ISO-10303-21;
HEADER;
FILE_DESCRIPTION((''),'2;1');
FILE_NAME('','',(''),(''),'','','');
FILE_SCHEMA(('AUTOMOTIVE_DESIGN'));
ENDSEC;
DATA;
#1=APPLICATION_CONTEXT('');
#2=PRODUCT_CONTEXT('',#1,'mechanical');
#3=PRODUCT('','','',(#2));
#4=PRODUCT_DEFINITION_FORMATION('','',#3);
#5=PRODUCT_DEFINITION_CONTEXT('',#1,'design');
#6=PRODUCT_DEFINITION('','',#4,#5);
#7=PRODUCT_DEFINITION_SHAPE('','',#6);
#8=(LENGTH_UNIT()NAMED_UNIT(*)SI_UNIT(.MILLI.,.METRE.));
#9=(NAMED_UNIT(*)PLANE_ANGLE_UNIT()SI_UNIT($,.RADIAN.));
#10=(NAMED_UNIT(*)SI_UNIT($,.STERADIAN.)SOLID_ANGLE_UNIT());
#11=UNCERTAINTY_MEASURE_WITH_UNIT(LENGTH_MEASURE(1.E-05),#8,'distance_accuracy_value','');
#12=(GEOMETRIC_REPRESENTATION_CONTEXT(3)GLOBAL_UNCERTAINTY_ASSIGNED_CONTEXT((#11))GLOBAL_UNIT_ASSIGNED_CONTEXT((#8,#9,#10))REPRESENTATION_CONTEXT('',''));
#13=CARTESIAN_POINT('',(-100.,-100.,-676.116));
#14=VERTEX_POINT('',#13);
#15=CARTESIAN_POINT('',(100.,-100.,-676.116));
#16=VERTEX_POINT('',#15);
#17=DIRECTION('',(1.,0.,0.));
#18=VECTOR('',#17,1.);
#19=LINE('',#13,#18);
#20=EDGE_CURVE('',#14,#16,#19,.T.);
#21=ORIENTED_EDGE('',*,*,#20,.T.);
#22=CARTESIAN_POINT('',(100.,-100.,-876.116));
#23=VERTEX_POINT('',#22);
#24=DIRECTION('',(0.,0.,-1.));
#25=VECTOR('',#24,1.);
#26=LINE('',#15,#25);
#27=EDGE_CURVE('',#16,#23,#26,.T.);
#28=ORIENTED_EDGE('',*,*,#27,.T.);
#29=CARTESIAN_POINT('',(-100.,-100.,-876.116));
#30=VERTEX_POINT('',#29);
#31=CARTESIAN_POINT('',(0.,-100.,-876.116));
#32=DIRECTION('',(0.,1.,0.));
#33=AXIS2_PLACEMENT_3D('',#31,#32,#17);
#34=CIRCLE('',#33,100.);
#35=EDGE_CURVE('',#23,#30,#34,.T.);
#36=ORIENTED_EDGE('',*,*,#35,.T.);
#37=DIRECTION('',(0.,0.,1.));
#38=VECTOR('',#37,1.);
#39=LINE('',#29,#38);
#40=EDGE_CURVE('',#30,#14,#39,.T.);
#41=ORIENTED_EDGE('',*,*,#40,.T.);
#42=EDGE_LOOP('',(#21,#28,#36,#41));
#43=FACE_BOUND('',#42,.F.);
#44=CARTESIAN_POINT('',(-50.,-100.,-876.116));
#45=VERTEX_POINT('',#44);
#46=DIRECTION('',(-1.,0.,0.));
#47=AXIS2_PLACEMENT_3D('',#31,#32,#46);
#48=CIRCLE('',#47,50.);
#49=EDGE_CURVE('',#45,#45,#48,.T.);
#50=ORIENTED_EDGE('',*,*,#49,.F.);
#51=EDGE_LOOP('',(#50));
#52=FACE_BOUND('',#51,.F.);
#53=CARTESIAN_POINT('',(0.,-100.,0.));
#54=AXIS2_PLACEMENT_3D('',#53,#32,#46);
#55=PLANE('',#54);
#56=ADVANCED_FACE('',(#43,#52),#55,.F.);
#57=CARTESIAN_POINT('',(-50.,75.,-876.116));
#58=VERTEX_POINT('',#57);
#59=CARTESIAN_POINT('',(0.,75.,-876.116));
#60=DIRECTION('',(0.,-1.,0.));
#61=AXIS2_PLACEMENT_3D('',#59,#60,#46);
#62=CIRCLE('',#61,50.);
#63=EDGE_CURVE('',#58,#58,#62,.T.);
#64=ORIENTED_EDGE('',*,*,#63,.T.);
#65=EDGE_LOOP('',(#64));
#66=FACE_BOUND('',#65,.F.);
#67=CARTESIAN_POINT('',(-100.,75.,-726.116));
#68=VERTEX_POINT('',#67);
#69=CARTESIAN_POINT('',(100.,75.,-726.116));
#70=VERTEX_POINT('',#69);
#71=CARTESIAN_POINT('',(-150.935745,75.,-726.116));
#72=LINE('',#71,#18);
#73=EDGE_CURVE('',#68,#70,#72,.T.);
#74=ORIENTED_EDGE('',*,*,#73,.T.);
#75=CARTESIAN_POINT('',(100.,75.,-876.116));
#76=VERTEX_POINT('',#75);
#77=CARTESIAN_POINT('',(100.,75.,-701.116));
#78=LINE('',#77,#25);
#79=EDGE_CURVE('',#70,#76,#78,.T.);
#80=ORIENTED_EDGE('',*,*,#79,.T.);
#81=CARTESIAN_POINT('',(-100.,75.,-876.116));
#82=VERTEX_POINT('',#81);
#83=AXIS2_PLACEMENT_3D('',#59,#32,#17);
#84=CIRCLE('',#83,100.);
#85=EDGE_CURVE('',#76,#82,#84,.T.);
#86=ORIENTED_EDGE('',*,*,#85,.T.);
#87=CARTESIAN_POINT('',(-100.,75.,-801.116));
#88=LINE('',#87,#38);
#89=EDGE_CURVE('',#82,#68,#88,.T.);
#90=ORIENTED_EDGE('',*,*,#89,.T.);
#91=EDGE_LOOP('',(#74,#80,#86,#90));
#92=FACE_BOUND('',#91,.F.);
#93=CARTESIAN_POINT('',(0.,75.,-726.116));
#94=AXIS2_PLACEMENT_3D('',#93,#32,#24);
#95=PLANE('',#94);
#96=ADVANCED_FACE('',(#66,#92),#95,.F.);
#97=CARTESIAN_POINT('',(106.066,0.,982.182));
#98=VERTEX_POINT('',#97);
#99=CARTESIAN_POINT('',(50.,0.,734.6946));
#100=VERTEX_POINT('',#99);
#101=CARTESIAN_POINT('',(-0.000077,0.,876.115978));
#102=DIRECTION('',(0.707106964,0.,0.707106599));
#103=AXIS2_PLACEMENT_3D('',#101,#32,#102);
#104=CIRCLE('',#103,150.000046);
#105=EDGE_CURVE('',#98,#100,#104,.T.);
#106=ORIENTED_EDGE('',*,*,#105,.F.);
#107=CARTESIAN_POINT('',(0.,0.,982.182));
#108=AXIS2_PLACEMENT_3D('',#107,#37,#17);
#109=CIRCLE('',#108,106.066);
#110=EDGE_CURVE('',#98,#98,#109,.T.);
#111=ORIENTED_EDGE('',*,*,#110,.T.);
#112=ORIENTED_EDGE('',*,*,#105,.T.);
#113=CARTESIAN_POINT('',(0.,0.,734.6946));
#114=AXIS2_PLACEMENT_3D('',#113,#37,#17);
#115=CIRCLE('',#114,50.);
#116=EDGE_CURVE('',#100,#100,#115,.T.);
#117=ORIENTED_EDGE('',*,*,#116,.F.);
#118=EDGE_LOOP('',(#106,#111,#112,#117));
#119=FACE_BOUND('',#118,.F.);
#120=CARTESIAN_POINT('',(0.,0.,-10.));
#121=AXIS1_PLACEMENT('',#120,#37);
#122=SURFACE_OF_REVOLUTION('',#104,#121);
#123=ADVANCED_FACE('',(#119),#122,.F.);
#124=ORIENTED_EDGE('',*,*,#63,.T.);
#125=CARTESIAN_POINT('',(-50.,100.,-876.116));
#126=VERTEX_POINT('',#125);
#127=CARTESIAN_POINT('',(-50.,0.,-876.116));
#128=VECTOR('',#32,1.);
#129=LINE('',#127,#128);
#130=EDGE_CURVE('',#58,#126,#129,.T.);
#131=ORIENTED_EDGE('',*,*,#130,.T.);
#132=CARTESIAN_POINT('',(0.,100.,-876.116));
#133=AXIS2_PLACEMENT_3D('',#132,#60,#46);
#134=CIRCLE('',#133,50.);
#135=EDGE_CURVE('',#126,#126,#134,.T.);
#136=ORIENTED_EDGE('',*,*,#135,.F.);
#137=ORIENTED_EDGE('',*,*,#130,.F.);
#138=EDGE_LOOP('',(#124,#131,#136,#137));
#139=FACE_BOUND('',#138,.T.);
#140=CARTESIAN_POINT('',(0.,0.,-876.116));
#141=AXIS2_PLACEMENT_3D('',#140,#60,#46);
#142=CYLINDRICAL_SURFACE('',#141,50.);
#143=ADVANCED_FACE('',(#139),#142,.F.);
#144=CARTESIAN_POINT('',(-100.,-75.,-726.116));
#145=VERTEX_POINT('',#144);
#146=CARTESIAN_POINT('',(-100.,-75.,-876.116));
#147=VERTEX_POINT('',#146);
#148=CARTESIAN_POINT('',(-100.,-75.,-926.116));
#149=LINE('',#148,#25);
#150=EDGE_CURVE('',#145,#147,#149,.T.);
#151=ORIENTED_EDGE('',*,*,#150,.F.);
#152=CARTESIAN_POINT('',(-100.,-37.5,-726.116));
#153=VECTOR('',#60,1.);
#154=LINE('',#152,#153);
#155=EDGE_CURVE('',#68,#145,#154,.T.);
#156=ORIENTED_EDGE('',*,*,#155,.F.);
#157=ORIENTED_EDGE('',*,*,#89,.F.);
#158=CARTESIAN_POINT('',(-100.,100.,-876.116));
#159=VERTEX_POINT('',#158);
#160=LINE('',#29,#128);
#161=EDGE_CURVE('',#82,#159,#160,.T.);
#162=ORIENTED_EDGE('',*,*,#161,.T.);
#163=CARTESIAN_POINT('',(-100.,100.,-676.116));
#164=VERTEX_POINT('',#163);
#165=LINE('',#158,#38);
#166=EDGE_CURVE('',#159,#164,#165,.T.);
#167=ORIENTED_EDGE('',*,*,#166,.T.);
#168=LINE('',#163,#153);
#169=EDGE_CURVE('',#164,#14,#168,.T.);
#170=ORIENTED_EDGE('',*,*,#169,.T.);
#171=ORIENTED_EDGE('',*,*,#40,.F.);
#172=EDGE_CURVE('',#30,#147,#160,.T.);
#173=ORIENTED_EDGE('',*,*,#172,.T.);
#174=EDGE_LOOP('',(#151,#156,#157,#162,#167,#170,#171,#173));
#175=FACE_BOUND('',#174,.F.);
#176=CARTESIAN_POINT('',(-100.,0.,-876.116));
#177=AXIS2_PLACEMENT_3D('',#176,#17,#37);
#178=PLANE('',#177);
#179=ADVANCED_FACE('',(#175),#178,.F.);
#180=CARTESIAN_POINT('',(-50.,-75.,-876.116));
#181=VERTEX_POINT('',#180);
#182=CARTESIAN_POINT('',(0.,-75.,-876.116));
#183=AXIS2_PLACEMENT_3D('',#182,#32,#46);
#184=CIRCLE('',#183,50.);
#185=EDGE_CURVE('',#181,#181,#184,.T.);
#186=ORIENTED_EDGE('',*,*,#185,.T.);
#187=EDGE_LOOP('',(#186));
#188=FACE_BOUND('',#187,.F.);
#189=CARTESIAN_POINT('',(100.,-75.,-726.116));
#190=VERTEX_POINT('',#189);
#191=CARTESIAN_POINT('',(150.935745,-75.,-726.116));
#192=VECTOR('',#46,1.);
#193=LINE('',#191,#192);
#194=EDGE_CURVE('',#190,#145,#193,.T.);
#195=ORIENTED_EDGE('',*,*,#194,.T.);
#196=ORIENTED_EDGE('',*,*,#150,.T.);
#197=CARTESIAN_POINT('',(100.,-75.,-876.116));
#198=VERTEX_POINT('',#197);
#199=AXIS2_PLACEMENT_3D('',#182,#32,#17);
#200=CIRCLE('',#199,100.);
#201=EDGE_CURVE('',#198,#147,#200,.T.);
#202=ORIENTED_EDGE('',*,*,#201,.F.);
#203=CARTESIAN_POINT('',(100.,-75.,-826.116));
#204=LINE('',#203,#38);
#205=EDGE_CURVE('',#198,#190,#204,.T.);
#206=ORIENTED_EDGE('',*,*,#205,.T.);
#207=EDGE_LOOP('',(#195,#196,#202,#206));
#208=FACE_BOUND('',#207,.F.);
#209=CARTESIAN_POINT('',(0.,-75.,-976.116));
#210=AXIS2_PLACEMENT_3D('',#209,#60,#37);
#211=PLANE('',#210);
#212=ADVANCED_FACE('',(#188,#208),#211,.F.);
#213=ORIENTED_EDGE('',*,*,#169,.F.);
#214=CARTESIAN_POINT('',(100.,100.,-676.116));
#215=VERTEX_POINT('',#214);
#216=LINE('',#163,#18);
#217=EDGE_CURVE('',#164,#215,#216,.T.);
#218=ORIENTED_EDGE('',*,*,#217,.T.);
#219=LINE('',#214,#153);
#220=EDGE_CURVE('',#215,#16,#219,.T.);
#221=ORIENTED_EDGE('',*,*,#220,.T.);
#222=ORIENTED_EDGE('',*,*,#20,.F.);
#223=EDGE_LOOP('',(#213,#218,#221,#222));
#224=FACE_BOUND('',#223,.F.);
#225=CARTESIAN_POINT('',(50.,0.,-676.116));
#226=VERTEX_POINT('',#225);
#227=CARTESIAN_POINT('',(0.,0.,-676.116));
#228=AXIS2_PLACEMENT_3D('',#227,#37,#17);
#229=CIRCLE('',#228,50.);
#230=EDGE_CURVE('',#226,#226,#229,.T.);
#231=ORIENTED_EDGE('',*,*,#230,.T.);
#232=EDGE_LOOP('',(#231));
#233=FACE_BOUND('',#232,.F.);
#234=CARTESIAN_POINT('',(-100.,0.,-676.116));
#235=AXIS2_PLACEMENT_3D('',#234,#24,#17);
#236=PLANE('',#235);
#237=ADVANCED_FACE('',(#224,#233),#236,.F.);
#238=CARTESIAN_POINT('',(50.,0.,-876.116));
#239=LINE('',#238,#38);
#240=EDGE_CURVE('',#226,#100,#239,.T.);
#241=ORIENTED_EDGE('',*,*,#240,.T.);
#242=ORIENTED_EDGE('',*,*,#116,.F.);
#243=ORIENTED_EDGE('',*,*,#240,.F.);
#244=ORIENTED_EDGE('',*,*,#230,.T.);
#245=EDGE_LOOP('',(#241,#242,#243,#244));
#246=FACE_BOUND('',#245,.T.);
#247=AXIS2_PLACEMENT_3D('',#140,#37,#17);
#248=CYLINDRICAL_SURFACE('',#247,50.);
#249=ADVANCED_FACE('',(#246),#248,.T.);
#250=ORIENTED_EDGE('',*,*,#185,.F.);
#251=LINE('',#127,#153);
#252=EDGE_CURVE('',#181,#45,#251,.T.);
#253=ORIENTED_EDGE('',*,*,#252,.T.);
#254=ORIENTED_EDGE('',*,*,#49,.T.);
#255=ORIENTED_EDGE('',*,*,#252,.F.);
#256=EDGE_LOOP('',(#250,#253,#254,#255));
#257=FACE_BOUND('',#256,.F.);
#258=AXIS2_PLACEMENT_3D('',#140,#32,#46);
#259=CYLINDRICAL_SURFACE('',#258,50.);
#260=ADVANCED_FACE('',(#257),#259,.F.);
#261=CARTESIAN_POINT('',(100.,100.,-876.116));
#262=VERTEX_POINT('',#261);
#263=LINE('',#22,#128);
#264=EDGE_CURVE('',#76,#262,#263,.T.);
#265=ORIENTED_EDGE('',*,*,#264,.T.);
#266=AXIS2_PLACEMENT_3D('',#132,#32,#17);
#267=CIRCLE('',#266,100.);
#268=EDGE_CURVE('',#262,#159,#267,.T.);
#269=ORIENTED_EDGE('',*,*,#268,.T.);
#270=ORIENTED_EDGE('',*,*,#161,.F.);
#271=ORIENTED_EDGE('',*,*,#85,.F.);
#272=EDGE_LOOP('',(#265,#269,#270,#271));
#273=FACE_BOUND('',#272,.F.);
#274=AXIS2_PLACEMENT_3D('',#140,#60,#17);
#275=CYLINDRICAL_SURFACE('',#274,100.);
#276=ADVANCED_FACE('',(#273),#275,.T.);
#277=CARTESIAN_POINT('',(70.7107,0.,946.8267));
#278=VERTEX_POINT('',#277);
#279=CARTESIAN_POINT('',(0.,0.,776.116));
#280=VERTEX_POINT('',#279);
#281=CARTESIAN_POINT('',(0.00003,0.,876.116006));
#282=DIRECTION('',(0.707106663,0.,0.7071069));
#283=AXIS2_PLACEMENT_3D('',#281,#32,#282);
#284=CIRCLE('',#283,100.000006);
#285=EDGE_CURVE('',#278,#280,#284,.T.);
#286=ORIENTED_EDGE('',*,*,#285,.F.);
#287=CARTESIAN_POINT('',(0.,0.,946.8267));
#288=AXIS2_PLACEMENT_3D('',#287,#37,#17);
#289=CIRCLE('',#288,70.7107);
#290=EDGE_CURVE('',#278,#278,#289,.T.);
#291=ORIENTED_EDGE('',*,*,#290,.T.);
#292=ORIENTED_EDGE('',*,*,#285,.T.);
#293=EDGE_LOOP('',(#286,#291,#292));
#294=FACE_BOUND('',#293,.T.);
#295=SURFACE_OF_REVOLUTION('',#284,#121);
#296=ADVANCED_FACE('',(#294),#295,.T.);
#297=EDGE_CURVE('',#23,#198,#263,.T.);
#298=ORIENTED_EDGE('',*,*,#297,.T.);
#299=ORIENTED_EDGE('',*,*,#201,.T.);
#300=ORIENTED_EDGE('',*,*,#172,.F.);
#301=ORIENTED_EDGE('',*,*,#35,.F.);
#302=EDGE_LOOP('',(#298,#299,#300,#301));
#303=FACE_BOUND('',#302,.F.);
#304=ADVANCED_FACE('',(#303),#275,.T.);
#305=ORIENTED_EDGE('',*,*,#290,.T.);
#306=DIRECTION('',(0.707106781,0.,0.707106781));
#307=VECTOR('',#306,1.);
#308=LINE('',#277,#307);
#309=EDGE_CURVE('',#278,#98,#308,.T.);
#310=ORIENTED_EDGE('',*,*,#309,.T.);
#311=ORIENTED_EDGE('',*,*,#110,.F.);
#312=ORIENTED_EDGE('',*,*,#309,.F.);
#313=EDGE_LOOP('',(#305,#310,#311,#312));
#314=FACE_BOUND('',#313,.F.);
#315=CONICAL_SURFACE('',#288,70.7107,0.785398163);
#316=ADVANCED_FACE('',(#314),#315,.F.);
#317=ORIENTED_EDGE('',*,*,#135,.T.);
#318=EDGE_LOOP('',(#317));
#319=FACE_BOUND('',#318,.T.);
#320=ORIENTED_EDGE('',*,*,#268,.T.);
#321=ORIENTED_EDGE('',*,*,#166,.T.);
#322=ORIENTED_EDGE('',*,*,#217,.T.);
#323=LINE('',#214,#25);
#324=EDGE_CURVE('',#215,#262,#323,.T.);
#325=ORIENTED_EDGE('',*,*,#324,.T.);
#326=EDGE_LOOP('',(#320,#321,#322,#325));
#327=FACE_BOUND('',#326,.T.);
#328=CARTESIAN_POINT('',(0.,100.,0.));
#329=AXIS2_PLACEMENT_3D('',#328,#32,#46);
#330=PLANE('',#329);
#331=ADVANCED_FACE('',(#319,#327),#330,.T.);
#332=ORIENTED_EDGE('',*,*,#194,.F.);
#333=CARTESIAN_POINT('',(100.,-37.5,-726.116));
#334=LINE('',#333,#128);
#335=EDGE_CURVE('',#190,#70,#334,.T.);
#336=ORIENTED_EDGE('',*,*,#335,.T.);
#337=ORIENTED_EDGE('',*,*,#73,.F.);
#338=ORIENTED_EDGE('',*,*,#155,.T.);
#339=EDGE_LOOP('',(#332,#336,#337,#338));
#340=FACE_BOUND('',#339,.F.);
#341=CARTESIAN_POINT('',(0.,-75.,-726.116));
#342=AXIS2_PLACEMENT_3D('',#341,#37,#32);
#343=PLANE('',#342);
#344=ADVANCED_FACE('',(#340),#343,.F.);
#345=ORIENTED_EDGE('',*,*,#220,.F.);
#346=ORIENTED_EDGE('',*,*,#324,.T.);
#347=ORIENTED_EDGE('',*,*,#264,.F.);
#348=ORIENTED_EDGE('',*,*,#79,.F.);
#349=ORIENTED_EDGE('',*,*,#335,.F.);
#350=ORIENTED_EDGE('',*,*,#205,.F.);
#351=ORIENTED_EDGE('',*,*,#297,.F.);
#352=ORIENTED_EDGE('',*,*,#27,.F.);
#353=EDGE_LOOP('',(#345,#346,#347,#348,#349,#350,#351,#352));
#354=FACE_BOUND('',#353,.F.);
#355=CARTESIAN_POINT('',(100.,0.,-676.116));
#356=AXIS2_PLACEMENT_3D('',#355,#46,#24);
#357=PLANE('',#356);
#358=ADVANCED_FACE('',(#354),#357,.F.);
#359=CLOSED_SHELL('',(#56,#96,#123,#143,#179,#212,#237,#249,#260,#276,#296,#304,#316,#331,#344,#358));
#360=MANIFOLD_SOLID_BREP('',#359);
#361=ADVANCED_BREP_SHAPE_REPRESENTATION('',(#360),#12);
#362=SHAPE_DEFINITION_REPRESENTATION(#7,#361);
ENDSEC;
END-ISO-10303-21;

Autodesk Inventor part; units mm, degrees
ref_plane "YZ Plane" through (0, 0, 0) normal (1, 0, 0) x (0, 1, 0)
ref_plane "XZ Plane" through (0, 0, 0) normal (0, 1, 0) x (-1, 0, 0)
ref_plane "XY Plane" through (0, 0, 0) normal (0, 0, 1) x (1, 0, 0)
sketch "Sketch1" plane through (0, 0, 0) normal (0, 1, 0) x (-1, 0, 0)
  line L0 (0, 0) -> (0, -776.116)
  line L1 (-50, -734.6946) -> (-50, 0)
  line L2 (0, 0) -> (-173.6931, 0)
  line L3 (0, 0) -> (0, 776.116)
  line L4 (-50, 734.6946) -> (-50, 0)
  arc A0 (-106.066, 982.182) -> (-50, 734.6946) centre (0, 876.116) ccw
  arc A1 (-70.7107, 946.8267) -> (0, 776.116) centre (0, 876.116) ccw
  line L5 (-70.7107, 946.8267) -> (-106.066, 982.182)
  line L6 (0, -1268.9888) -> (0, 1481.1208) construction
  line L7 (0, -776.116) -> (0, -876.116)
  line L8 (0, -876.116) -> (-50, -876.116)
  line L9 (-50, -876.116) -> (-50, -734.6946)
  point P0 (0, -2.2081)
  point P1 (-13.1062, 0)
  point P2 (-20, -18.7767)
  point P3 (-20, 3.1509)
  point P4 (-46.6023, 0)
  point P5 (-20, -18.7767)
  dimension "d6" = 45
  dimension "d7" = 50
  dimension "d8" = 100
  dimension "d9" = 50
  dimension "d10" = 1752.232
revolve "Revolution1" add sketch "Sketch1" angle 360 about axis through (0, 0, -10) along (0, 0, 1)
sketch "Sketch2" plane through (0, 0, 0) normal (0, 1, 0) x (-1, 0, 0)
  line L0 (50, -876.116) -> (-50, -876.116) projected
  arc A0 (-100, -876.116) -> (100, -876.116) centre (0, -876.116) ccw
  line L1 (65.0556, -876.116) -> (-85.3956, -876.116)
  line L2 (0, -338.7665) -> (0, -580.5318)
  line L3 (100, -876.116) -> (100, -676.116)
  line L4 (100, -676.116) -> (-100, -676.116)
  line L5 (-100, -676.116) -> (-100, -876.116)
  point P0 (0, 0)
  dimension "d11" = 100
  dimension "d12" = 200
extrude "Extrusion1" add sketch "Sketch2" along normal mid plane 200
sketch "Sketch4" plane through (0, 0, 0) normal (0, 1, 0) x (-1, 0, 0)
  arc A0 (-100, -876.116) -> (100, -876.116) centre (0, -876.116) ccw construction
  circle A1 centre (0, -876.116) radius 50
  point P0 (0, 0)
  dimension "d16" = 50
extrude "Extrusion2" cut sketch "Sketch4" along normal through all both and the other way through all
sketch "Sketch6" plane through (0, 0, 0) normal (1, 0, 0) x (0, 1, 0)
  line L0 (-100, -976.116) -> (100, -976.116) construction
  line L1 (0, -623.7458) -> (0, -465.1617)
  line L2 (75, -976.116) -> (-75, -976.116)
  line L3 (-75, -976.116) -> (-75, -726.116)
  line L4 (-75, -726.116) -> (75, -726.116)
  line L5 (75, -726.116) -> (75, -976.116)
  point P0 (0, 0)
  point P1 (0, -976.116)
  dimension "d27" = 150
  dimension "d28" = 250
extrude "Extrusion4" cut sketch "Sketch6" along normal through all both and the other way through all
equation "\"d7\" = rod_radius"
equation "\"d8\" = S_radius"
equation "\"d9\" = rod_radius"
equation "\"d10\" = L1"
equation "\"d11\" = S_radius"
equation "\"d12\" = 2 * S_radius"
equation "\"d13\" = 2 * S_radius"
equation "\"d16\" = rod_radius"
equation "\"d27\" = 3 * rod_radius"
equation "\"d28\" = 5 * rod_radius"
equation "\"L1\" = 1752.23201"
equation "\"rod_radius\" = 50"
equation "\"S_radius\" = 2 * rod_radius"
equation "\"dyad1_Fx\" = -4260.66351"
equation "\"dyad1_Fy\" = 914.69194"
equation "\"dyad1_Fz\" = 2675.35545"
equation "\"dyad2_Fx\" = -451.87793"
equation "\"dyad2_Fy\" = -915.49296"
equation "\"dyad2_Fz\" = 3417.84038"
equation "\"dyad3_Fx\" = -4318"
equation "\"dyad3_Fz\" = 1248"
equation "\"dyad4_Fx\" = 2692.78997"
equation "\"dyad4_Fy\" = 2100.31348"
equation "\"dyad4_Fz\" = 2764.89028"
equation "\"dyad5_Fx\" = 3055.55556"
equation "\"dyad5_Fy\" = -2032.16374"
equation "\"dyad5_Fz\" = 2423.97661"
equation "\"L2\" = 1260.47471"
equation "\"L3\" = 1299.40028"
equation "\"L4\" = 3944.54642"
equation "\"L5\" = 2129.93938"
properties part number "US_Dyad-01"
